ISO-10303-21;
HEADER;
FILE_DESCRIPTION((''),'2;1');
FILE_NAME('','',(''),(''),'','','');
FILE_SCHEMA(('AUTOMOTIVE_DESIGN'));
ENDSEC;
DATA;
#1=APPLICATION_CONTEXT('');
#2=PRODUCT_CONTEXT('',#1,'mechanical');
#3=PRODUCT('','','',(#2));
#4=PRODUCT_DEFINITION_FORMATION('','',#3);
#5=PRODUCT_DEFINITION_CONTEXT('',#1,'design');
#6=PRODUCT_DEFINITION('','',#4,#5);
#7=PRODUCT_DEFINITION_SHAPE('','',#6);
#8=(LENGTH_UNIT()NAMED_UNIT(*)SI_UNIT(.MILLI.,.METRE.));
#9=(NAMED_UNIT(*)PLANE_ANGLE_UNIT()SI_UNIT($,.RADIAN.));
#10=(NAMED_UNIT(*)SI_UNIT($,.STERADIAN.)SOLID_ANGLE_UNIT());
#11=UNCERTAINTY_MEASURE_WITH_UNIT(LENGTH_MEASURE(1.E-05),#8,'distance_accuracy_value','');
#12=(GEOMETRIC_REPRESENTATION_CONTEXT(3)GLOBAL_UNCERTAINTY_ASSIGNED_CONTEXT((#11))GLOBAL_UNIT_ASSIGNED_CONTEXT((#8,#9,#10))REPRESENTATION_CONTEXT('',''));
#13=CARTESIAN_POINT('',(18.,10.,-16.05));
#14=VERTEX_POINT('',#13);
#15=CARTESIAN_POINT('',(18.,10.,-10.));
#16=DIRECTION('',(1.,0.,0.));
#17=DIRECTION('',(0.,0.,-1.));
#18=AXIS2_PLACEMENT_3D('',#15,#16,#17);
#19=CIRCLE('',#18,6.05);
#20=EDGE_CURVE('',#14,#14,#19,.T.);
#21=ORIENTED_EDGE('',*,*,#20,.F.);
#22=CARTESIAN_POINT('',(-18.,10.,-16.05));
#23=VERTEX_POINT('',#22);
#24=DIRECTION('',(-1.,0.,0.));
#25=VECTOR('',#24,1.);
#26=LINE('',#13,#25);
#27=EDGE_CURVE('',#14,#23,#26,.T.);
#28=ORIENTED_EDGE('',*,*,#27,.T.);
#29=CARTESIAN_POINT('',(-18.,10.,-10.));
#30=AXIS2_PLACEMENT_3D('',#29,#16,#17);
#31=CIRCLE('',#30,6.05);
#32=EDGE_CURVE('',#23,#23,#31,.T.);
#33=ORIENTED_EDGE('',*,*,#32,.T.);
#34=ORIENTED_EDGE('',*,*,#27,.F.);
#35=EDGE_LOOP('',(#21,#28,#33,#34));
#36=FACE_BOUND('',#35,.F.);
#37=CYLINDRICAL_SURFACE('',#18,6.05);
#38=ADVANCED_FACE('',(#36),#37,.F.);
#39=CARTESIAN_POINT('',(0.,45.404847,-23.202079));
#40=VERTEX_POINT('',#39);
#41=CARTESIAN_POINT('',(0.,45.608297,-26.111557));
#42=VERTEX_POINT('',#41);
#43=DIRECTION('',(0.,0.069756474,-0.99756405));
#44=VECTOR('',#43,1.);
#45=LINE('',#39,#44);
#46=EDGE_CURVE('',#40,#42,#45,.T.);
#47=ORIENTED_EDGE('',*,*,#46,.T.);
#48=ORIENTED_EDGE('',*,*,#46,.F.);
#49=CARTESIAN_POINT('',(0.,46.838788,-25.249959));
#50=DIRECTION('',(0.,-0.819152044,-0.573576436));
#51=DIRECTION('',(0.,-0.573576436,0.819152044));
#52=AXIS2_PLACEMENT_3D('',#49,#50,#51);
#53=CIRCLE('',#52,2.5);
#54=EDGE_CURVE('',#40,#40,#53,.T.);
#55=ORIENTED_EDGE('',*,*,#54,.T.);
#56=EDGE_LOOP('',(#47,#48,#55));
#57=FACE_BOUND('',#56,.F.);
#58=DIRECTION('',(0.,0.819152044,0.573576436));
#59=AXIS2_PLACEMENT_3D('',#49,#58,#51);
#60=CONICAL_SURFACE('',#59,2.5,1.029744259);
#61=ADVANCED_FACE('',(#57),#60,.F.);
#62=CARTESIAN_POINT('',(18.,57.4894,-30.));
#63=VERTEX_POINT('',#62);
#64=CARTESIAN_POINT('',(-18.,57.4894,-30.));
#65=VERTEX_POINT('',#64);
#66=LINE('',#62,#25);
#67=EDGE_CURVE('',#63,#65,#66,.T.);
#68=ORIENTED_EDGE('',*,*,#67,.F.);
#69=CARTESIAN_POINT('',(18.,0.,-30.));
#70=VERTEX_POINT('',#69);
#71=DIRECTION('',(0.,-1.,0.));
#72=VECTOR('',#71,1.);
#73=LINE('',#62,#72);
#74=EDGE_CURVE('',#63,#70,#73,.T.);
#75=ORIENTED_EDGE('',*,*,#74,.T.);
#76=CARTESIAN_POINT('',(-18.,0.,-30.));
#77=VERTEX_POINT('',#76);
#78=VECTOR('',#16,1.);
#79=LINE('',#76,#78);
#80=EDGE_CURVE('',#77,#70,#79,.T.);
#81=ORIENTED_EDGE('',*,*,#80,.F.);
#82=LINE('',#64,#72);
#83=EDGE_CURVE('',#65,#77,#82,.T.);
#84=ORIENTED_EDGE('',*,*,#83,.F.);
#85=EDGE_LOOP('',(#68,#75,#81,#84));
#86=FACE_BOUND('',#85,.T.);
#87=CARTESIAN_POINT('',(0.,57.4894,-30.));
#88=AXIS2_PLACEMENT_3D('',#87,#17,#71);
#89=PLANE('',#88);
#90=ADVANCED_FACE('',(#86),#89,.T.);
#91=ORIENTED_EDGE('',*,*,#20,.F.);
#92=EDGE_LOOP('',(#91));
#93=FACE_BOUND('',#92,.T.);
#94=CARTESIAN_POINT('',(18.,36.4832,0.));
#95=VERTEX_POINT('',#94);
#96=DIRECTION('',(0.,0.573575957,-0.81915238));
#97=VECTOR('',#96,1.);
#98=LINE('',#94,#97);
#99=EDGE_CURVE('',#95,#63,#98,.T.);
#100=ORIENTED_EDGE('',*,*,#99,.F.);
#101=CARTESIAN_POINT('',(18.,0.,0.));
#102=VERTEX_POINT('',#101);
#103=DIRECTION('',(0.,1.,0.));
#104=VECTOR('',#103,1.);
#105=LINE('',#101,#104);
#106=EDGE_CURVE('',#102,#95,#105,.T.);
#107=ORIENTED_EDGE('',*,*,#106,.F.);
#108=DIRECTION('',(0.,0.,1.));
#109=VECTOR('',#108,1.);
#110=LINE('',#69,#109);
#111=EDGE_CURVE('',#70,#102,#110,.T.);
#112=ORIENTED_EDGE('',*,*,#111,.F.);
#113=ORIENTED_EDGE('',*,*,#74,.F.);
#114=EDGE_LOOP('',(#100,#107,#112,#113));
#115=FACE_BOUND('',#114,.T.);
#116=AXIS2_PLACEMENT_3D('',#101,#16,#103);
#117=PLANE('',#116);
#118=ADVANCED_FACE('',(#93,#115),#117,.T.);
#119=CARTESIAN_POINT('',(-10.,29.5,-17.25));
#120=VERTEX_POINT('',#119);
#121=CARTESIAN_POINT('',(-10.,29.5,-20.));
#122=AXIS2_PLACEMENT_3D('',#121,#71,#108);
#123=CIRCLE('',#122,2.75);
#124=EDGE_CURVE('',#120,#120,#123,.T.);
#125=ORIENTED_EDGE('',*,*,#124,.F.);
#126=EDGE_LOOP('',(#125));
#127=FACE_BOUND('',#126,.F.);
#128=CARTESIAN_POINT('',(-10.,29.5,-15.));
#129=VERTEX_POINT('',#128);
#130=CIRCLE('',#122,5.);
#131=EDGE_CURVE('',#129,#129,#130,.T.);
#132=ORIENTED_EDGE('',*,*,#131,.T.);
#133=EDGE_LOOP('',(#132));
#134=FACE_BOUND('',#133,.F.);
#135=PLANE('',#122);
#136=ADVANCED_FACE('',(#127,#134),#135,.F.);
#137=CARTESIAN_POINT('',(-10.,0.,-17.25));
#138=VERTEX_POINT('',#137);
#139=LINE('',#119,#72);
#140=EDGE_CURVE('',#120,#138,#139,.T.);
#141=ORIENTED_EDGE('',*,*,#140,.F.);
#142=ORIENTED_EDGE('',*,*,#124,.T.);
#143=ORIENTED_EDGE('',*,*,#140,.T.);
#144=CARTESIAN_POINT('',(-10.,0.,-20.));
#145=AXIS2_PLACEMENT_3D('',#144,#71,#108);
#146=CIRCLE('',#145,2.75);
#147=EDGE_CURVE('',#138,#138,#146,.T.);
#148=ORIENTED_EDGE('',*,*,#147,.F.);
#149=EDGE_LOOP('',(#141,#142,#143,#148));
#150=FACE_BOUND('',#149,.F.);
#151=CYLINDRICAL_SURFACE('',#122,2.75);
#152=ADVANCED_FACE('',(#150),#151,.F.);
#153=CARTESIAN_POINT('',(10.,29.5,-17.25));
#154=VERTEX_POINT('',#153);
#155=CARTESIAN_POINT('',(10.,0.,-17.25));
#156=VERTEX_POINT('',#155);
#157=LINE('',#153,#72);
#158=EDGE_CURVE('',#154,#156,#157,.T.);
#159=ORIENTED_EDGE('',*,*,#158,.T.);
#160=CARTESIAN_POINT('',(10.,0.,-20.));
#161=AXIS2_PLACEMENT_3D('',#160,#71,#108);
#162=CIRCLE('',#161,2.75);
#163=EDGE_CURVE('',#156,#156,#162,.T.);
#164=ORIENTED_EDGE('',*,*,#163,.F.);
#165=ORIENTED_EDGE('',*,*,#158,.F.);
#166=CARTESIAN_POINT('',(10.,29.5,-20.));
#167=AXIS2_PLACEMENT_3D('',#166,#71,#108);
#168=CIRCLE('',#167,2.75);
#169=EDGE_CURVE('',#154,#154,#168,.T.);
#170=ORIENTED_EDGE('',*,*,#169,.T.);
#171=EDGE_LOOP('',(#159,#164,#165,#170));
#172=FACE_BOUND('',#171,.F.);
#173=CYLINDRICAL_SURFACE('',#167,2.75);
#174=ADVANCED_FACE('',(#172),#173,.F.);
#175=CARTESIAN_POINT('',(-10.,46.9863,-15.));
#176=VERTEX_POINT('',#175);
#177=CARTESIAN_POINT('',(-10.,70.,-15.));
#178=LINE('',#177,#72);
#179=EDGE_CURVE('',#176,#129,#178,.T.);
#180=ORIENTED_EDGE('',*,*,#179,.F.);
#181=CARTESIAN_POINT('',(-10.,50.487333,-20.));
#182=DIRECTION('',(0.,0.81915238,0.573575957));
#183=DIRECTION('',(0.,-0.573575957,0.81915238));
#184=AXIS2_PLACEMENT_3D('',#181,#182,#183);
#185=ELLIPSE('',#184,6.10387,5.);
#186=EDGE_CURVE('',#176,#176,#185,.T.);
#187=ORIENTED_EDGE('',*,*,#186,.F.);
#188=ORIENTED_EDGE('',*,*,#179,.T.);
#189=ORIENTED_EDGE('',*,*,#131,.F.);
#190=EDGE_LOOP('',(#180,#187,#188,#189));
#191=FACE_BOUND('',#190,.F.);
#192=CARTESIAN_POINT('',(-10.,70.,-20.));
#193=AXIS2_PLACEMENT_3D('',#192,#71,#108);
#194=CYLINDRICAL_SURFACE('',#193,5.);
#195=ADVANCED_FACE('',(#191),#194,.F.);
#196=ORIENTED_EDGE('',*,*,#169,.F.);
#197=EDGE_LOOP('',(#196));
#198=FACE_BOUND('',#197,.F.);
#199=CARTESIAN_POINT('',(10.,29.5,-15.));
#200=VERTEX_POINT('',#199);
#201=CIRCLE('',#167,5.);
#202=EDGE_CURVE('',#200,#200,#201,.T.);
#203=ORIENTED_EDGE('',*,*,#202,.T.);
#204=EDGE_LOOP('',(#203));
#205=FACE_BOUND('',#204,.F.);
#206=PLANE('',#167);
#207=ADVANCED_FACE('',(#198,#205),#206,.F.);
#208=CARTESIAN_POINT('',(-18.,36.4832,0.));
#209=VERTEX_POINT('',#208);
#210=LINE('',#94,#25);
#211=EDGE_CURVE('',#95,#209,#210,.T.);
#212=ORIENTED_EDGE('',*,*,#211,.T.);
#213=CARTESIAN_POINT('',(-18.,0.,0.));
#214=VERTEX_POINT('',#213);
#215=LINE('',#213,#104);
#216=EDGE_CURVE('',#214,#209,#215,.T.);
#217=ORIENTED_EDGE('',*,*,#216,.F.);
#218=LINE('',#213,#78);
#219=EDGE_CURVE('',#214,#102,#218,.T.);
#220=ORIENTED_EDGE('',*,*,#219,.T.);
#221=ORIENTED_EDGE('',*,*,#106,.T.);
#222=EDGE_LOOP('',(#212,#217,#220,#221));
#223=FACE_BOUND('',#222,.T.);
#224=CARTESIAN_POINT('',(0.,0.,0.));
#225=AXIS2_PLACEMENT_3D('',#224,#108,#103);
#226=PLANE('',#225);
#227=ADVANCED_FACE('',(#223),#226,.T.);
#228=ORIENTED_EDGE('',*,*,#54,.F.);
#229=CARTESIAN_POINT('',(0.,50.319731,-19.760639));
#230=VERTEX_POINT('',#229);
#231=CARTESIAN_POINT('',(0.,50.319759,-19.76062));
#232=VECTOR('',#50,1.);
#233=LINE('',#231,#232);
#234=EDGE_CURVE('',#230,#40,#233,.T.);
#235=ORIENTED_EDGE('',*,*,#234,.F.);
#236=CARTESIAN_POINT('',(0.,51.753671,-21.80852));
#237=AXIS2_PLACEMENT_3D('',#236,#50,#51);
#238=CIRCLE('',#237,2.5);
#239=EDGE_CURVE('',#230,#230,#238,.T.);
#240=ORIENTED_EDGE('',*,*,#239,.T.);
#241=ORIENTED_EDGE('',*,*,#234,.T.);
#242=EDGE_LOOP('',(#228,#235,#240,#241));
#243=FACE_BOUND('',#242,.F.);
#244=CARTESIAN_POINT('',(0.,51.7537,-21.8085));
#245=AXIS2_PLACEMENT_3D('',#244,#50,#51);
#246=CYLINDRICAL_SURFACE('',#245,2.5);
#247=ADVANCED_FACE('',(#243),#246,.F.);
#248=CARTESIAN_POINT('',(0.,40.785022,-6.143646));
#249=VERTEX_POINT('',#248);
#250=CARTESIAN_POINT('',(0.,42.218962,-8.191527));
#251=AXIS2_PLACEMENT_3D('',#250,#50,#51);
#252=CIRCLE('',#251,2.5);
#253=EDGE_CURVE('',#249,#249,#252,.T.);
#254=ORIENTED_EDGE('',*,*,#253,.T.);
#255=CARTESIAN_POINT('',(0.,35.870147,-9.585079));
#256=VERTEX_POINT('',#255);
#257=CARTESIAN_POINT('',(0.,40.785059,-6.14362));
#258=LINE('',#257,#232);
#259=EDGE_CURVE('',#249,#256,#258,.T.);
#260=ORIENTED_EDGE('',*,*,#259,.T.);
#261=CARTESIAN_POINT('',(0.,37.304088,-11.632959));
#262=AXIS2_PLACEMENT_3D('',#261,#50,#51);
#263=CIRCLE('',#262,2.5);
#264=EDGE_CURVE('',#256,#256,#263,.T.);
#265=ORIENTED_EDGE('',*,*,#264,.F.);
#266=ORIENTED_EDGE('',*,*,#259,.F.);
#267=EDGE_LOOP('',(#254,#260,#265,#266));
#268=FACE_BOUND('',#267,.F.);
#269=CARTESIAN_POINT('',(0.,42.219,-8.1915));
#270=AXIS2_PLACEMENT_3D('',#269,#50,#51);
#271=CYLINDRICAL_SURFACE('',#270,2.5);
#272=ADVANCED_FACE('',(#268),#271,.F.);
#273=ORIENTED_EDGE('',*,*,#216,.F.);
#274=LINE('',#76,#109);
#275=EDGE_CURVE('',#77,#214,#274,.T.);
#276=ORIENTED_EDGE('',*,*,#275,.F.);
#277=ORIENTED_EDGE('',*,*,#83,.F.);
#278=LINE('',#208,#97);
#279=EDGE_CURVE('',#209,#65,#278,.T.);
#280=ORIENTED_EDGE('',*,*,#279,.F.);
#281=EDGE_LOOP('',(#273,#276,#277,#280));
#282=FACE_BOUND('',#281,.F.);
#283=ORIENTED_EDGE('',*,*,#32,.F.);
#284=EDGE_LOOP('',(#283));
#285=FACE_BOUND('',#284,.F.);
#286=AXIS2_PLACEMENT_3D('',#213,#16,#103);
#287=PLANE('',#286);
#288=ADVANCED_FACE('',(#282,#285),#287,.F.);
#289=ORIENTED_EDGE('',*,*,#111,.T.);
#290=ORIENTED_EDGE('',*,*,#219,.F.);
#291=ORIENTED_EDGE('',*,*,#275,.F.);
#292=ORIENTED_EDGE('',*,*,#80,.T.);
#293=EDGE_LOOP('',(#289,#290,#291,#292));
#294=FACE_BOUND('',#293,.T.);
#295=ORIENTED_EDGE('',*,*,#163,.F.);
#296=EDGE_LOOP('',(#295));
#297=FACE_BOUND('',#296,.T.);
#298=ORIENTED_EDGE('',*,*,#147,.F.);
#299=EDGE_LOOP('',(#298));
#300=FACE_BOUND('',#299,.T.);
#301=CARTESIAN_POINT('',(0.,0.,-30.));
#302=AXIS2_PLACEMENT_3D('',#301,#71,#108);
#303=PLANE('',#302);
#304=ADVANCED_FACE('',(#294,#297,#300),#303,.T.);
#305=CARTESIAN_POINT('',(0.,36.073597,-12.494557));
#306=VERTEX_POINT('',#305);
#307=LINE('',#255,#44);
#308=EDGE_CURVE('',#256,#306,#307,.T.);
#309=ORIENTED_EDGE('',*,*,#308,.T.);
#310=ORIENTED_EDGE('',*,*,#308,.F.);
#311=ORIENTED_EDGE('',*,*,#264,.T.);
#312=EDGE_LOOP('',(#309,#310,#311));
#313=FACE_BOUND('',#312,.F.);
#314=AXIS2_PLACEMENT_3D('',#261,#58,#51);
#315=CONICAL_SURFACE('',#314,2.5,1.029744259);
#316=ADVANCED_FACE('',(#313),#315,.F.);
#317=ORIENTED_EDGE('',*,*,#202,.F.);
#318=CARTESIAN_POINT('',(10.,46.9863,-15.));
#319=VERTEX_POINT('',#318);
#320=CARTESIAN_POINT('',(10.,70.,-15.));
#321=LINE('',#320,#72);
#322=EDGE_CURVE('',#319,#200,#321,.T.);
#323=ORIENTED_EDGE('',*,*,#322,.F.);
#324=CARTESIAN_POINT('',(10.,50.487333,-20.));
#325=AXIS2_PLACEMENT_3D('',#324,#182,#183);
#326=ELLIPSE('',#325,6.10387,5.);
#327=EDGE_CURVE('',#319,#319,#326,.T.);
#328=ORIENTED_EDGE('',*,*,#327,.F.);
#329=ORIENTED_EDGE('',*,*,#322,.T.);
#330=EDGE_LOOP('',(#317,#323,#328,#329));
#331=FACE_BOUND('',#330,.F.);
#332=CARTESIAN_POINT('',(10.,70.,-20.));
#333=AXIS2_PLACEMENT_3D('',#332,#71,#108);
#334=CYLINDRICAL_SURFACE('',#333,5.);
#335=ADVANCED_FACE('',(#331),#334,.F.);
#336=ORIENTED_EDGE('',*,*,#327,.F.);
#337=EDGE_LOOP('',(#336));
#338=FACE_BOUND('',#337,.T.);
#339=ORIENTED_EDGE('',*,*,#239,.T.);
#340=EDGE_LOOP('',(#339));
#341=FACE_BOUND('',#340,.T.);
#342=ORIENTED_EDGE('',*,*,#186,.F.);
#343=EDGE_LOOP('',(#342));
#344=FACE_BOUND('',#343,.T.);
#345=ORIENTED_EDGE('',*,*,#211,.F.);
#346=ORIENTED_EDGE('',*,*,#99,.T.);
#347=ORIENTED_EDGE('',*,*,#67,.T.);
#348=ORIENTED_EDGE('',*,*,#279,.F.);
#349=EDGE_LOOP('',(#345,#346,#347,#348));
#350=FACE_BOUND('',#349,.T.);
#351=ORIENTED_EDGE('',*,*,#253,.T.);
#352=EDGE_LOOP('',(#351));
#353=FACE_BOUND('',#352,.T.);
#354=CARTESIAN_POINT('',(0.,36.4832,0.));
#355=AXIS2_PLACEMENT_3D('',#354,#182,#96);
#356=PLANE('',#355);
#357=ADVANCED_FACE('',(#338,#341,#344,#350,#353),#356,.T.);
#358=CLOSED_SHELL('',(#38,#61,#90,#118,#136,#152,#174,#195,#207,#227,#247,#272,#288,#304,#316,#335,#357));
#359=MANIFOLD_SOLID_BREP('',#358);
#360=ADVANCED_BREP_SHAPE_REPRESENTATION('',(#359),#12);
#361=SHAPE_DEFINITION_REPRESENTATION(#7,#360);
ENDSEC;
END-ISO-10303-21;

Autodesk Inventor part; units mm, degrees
ref_plane "YZ Plane" through (0, 0, 0) normal (1, 0, 0) x (0, 1, 0)
ref_plane "XZ Plane" through (0, 0, 0) normal (0, 1, 0) x (-1, 0, 0)
sketch "スケッチ1" plane through (0, 0, 0) normal (1, 0, 0) x (0, 1, 0)
  line L0 (0, 0) -> (36.4832, 0)
  line L1 (36.4832, 0) -> (57.4894, -30)
  line L2 (57.4894, -30) -> (0, -30)
  line L3 (0, -30) -> (0, 0)
  dimension "d0" = 35
  dimension "d1" = 36.4832
  dimension "d2" = 30
extrude "押し出し1" add sketch "スケッチ1" along normal mid plane 36
ref_plane "作業平面1" through (-18, 70, -30) normal (0, -1, 0) x (1, 0, 0)
sketch "スケッチ3" plane through (-18, 70, -30) normal (0, -1, 0) x (1, 0, 0)
  line L0 (0, 0) -> (36, 0) projected
  line L1 (0, 30) -> (0, 0) projected
  line L2 (36, 0) -> (36, 30) projected
  point P0 (18, 30)
  point P1 (8, 10)
  point P2 (28, 10)
  dimension "d11" = 10
  dimension "d12" = 8
  dimension "d13" = 8
  dimension "d14" = 10
hole "穴1" at (-10, 70, -20) at (10, 70, -20) direction (0, -1, 0) diameter 5.5 end through all counterbore diameter 10 counterbore depth 40.5 clearance for "Socket Head Cap Screw" size "M5" standard "Ansi Metric M Profile"
sketch "スケッチ4" plane through (-18, 36.4832, 0) normal (0, 0.8192, 0.5736) x (1, 0, 0)
  line L0 (18, 10) -> (18, 10)
  line L1 (18, 10) -> (18, 26.6232)
  line L2 (18, 26.6232) -> (18, 26.6232)
  line L3 (18, 26.6232) -> (18, 10)
  line L4 (0, 36.6232) -> (36, 36.6232) projected
  line L5 (0, 0) -> (36, 0) projected
  line L6 (0, 0) -> (0, 36.6232) projected
  line L7 (36, 36.6232) -> (36, 0) projected
  point P0 (18, -20.9259)
  dimension "d22" = 36.6232
  dimension "d24" = 10
  dimension "d36" = 10
  dimension "d46" = 18
  dimension "d47" = 18
  dimension "d51" = 36
hole "穴2" at (0, 51.7537, -21.8085) at (0, 42.219, -8.1915) at (0, 51.7537, -21.8085) at (0, 42.219, -8.1915) direction (0, -0.8192, -0.5736) diameter 5 depth 6 tip angle 118
sketch "スケッチ5" plane through (18, 0, 0) normal (1, 0, 0) x (0, 0, -1)
  circle A0 centre (10, 10) radius 6.05
  line L0 (0, 0) -> (30, 0) projected
  line L1 (0, 36.4832) -> (0, 0) projected
  dimension "d40" = 10
  dimension "d41" = 10
  dimension "d42" = 12.1
extrude "押し出し3" cut sketch "スケッチ5" against normal through all
equation "\"d13\" = d12"
equation "\"d14\" = d11"
equation "\"d46\" = 0.5 * d51"
equation "\"d47\" = d46"
properties part number "s_base1"
